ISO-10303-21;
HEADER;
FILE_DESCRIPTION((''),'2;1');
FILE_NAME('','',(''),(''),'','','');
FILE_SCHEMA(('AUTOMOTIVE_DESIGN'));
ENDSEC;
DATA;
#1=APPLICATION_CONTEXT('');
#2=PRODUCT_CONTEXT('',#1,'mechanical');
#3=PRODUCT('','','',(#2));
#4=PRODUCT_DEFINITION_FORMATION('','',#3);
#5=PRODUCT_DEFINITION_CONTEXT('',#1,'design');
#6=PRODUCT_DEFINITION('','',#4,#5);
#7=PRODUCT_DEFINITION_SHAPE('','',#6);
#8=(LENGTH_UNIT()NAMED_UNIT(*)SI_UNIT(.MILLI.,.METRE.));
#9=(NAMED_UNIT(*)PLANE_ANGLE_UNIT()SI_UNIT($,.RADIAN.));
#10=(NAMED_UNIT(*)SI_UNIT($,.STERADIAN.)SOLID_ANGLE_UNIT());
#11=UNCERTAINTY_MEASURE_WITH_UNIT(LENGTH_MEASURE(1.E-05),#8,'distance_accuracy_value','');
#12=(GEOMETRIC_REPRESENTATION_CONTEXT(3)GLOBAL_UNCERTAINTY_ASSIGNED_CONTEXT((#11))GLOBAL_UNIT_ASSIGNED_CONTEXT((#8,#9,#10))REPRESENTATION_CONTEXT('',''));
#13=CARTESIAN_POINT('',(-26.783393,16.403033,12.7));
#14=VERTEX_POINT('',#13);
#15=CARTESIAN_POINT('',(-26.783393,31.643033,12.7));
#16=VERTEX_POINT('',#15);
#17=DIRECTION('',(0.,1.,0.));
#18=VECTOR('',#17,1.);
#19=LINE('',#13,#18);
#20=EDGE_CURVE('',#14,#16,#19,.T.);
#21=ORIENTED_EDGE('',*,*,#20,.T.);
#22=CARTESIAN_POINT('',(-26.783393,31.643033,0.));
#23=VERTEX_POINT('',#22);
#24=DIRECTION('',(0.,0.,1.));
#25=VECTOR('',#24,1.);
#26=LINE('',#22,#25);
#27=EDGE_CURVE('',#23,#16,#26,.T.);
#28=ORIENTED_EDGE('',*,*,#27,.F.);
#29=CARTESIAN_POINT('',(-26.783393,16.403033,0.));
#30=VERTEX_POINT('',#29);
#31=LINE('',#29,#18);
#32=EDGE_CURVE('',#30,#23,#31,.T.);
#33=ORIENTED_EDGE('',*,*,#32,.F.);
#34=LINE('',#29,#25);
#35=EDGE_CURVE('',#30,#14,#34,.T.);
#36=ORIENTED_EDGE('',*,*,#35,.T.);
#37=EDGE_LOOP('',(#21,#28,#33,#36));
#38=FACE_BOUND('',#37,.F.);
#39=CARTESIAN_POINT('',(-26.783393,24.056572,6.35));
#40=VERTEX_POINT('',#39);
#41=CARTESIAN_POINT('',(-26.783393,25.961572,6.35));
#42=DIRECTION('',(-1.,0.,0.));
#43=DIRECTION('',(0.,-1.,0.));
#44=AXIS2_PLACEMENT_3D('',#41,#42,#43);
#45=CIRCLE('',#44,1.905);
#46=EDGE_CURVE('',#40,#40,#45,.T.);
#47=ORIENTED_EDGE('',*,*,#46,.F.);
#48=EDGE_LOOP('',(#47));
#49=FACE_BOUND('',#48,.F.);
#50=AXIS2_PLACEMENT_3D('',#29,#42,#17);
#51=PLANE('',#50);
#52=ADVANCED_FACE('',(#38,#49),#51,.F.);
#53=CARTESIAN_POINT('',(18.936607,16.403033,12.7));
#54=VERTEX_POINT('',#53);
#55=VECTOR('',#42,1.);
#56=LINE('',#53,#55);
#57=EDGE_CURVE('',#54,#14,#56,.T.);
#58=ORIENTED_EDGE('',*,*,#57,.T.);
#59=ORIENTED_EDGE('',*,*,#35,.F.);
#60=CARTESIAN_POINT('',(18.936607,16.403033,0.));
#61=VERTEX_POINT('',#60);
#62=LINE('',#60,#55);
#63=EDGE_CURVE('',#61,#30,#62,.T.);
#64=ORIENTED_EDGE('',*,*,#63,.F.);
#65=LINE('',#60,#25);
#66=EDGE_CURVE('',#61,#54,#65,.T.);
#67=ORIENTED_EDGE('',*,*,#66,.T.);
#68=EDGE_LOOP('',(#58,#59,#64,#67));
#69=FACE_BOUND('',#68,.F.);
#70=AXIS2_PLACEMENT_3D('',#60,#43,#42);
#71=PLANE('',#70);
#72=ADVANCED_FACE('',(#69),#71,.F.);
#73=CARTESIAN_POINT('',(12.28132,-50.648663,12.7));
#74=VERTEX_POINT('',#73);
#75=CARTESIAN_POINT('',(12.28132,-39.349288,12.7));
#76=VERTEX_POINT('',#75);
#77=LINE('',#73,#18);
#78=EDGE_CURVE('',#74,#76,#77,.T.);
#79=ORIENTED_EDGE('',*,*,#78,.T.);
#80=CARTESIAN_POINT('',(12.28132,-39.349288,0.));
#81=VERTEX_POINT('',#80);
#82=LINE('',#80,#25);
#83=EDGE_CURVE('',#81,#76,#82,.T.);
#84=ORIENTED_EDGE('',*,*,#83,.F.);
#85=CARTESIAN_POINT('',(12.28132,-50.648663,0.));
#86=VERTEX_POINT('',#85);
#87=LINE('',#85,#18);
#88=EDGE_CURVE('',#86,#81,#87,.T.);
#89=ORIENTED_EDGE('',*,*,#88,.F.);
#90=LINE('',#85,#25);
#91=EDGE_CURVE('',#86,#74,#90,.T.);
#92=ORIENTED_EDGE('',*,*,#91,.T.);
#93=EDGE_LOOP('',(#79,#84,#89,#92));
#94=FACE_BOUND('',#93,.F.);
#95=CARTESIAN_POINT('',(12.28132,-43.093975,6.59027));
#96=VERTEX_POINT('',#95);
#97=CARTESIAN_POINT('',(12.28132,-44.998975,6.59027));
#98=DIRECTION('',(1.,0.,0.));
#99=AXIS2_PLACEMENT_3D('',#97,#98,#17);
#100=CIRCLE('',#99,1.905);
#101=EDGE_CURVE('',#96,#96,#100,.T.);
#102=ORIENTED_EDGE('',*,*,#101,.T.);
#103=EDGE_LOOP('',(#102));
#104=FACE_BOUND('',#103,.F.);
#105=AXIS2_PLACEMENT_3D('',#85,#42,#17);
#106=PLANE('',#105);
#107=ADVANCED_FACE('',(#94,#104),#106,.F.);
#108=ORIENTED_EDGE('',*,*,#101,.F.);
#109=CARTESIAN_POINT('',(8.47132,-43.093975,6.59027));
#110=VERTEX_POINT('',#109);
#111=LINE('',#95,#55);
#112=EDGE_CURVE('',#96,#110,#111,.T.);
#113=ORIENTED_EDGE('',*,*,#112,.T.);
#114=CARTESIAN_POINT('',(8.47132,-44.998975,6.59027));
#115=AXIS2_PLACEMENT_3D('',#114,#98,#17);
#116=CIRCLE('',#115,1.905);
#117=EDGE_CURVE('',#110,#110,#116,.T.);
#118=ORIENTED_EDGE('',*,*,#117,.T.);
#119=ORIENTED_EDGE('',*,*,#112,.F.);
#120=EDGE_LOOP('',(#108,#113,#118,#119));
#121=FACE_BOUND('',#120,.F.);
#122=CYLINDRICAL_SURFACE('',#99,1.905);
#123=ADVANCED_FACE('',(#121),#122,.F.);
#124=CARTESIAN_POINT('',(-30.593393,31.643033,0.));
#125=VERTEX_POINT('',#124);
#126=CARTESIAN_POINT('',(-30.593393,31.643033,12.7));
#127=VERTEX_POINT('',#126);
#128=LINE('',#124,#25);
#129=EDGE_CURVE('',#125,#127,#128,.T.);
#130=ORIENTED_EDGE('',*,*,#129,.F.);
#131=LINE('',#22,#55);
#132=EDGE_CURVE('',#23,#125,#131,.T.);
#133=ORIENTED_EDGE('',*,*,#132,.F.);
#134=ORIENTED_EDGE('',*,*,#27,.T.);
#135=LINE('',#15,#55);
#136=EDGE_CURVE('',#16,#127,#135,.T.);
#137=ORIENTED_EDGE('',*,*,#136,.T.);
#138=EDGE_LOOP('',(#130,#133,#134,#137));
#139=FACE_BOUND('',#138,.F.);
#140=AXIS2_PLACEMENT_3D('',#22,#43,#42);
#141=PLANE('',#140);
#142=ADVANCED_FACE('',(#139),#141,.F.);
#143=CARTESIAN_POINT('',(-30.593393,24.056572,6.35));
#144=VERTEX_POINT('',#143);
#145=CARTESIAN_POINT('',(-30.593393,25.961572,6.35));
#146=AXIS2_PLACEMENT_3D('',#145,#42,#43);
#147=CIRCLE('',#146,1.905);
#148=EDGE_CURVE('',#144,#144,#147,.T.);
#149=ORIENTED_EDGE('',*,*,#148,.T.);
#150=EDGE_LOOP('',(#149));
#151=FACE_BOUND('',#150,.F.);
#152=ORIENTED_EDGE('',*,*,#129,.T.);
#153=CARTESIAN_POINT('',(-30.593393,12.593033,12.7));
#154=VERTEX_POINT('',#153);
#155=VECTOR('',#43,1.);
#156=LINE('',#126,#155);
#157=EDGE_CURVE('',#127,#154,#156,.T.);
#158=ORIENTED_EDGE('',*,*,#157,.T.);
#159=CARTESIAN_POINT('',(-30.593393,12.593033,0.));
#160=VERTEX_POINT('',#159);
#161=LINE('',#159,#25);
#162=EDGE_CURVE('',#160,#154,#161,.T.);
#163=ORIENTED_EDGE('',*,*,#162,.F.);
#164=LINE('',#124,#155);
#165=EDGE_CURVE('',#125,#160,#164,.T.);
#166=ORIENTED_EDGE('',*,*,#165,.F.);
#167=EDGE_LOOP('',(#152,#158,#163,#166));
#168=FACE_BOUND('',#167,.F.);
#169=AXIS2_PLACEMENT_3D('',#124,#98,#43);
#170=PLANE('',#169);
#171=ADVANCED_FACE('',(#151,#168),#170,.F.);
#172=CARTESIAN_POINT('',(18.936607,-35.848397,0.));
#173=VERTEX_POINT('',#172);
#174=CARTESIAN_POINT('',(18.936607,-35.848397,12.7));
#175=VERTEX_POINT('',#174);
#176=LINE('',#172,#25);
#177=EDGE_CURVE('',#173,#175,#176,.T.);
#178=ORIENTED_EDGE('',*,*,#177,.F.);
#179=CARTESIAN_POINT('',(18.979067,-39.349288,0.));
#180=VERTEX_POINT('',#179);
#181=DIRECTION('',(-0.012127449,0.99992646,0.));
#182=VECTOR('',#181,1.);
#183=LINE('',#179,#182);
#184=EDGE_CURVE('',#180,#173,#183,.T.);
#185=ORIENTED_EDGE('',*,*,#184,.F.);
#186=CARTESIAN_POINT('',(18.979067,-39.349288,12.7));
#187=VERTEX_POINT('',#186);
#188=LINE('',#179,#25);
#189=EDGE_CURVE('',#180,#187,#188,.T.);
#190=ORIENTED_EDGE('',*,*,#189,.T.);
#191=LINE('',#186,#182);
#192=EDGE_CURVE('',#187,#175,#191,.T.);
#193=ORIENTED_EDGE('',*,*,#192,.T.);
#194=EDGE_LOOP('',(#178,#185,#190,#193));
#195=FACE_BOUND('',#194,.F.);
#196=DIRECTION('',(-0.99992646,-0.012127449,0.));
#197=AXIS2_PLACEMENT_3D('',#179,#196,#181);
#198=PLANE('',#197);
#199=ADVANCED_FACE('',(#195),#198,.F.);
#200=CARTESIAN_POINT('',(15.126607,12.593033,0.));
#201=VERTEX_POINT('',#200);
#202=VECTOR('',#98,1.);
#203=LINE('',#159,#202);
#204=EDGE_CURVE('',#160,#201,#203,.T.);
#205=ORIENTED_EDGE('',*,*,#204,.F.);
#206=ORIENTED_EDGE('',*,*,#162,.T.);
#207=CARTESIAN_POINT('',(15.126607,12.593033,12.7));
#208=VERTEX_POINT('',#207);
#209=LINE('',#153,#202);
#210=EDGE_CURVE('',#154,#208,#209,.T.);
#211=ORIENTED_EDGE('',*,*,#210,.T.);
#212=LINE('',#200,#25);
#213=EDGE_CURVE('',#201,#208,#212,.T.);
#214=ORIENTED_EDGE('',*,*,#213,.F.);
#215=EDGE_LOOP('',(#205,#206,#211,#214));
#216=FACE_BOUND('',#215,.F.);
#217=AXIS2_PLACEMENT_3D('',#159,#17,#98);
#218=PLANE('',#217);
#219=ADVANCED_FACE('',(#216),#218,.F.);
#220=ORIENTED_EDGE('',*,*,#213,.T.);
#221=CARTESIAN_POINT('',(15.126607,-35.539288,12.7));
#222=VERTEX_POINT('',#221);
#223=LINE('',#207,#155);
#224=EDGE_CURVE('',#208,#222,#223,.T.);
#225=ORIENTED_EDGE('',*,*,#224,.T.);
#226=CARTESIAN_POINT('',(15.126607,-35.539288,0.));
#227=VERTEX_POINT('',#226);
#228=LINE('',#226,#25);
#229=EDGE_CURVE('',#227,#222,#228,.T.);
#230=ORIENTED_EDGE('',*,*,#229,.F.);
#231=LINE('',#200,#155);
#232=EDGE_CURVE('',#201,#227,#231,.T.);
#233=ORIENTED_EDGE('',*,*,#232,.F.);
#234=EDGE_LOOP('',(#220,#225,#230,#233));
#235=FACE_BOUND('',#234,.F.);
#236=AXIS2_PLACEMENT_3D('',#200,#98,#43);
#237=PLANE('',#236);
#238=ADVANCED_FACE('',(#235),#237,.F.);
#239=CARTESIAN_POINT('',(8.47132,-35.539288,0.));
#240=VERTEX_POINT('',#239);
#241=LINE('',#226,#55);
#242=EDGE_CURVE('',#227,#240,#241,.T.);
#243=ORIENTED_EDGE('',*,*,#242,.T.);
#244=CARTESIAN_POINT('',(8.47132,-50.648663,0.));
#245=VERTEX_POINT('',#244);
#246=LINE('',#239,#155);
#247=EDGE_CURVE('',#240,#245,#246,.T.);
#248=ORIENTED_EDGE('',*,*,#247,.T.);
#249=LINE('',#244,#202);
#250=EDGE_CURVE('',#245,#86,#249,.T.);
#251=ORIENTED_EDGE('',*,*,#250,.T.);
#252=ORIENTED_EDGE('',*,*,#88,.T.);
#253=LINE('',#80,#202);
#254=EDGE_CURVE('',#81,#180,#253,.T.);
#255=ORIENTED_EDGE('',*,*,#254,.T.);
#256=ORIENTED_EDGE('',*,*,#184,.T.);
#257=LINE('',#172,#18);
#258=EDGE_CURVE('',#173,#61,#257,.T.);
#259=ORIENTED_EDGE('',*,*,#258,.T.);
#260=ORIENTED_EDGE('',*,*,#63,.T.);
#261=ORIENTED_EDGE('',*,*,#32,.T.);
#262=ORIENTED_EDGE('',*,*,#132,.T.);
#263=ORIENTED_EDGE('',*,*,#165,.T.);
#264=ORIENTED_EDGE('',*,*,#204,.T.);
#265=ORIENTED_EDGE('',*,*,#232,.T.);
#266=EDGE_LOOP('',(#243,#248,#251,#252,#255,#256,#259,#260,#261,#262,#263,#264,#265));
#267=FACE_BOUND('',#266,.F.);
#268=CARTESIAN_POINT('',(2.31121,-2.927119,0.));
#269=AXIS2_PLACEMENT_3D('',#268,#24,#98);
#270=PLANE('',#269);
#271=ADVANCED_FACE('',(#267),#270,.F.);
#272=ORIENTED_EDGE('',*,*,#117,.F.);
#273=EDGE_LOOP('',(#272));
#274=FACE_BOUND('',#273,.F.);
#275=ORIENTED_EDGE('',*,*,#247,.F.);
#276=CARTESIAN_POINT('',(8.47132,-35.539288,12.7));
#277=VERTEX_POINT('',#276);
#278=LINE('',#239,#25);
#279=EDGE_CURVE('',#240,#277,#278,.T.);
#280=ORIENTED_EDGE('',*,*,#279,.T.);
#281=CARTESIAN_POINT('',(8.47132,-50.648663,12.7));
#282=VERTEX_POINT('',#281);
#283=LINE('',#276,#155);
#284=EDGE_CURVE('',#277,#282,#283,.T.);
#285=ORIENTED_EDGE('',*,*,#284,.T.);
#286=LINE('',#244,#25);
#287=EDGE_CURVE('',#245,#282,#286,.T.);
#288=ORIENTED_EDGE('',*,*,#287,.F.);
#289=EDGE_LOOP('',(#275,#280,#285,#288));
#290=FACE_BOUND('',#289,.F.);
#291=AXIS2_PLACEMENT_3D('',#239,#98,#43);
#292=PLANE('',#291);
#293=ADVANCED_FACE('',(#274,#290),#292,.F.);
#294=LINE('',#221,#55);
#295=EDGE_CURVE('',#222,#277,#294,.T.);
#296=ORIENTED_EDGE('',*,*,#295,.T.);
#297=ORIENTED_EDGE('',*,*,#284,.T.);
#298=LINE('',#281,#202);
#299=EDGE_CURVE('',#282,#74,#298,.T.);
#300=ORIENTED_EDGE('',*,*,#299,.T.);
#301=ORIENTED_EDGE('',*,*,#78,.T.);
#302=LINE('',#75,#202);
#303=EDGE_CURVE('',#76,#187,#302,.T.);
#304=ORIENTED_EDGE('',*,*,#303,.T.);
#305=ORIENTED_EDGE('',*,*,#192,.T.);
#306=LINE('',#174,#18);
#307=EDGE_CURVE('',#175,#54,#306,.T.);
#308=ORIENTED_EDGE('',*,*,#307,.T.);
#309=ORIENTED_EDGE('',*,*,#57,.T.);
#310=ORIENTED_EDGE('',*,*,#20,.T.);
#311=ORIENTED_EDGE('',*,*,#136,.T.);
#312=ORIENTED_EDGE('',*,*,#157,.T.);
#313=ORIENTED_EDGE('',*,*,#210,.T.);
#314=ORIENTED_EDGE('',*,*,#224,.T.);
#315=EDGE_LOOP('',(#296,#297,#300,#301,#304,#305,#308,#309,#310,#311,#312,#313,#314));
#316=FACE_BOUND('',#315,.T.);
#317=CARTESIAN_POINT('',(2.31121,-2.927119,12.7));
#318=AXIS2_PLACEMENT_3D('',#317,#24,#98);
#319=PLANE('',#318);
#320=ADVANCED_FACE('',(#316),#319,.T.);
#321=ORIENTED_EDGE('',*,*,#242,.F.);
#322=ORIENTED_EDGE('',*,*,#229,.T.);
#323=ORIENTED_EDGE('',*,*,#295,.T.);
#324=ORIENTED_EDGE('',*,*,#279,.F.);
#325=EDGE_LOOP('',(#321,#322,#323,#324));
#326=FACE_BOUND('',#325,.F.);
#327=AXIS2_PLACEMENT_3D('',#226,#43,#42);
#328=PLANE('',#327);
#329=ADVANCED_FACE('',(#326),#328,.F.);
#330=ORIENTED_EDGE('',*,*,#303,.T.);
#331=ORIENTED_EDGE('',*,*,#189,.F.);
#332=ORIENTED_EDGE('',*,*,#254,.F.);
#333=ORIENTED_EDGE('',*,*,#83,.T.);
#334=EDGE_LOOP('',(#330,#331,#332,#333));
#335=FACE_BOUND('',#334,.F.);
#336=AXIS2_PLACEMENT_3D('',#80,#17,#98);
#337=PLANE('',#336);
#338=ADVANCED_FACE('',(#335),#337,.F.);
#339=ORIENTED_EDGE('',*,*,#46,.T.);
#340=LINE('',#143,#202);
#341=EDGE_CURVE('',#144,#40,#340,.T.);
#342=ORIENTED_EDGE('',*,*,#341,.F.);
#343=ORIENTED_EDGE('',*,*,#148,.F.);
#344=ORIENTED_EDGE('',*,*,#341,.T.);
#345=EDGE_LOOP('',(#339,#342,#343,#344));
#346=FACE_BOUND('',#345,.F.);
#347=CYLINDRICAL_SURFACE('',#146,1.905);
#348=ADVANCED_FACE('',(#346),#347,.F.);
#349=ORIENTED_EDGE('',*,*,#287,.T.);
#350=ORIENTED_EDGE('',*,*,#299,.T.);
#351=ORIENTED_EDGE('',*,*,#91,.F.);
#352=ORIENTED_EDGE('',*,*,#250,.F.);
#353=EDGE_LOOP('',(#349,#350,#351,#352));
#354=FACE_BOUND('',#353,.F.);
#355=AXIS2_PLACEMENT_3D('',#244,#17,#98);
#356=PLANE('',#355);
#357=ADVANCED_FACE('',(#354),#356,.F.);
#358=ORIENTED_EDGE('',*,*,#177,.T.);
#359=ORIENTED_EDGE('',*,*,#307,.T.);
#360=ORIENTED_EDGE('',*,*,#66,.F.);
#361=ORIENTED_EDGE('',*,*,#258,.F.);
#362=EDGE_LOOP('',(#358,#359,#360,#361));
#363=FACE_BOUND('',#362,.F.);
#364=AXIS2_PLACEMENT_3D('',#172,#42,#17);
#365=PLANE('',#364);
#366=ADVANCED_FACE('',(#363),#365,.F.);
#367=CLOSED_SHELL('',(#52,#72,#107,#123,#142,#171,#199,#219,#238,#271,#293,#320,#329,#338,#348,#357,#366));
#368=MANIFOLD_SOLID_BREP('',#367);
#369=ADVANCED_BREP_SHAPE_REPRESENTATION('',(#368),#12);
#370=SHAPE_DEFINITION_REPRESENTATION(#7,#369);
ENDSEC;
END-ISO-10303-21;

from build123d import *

# Parameters (mm, degrees)
F1_DEPTH = 12.7
F2_R     = 1.905
F3_DEPTH = 3.81
F4_R     = 1.905
F5_DEPTH = 3.81


with BuildPart() as f1:
    # F0 (on Top) → F1 (new body)
    with BuildSketch(Plane.XY):
        Polygon((18.936607, 16.403033), (-26.783393, 16.403033), (-26.783393, 31.643033), (-30.593393, 31.643033), (-30.593393, 16.403033), (-30.593393, 12.593033), (15.126607, 12.593033), (15.126607, -35.539288), (8.47132, -35.539288), (8.47132, -39.349288), (8.47132, -50.648663), (12.28132, -50.648663), (12.28132, -39.349288), (18.979067, -39.349288), (18.936607, -35.848397), (18.936607, 12.593033), align=None)
    extrude(amount=F1_DEPTH)

    # F2 (on face) → F3 (cut, through all)
    with BuildSketch(Plane.YZ.offset(12.28132)):
        with Locations((-44.998975, 6.59027)):
            Circle(F2_R)
    extrude(amount=-F3_DEPTH, mode=Mode.SUBTRACT)

    # F4 (on face) → F5 (cut, through all)
    with BuildSketch(Plane(origin=(-30.593393, 0, 0), x_dir=(0, -1, 0), z_dir=(-1, 0, 0))):
        with Locations((-25.961572, 6.35)):
            Circle(F4_R)
    extrude(amount=-F5_DEPTH, mode=Mode.SUBTRACT)


solid = f1.part
